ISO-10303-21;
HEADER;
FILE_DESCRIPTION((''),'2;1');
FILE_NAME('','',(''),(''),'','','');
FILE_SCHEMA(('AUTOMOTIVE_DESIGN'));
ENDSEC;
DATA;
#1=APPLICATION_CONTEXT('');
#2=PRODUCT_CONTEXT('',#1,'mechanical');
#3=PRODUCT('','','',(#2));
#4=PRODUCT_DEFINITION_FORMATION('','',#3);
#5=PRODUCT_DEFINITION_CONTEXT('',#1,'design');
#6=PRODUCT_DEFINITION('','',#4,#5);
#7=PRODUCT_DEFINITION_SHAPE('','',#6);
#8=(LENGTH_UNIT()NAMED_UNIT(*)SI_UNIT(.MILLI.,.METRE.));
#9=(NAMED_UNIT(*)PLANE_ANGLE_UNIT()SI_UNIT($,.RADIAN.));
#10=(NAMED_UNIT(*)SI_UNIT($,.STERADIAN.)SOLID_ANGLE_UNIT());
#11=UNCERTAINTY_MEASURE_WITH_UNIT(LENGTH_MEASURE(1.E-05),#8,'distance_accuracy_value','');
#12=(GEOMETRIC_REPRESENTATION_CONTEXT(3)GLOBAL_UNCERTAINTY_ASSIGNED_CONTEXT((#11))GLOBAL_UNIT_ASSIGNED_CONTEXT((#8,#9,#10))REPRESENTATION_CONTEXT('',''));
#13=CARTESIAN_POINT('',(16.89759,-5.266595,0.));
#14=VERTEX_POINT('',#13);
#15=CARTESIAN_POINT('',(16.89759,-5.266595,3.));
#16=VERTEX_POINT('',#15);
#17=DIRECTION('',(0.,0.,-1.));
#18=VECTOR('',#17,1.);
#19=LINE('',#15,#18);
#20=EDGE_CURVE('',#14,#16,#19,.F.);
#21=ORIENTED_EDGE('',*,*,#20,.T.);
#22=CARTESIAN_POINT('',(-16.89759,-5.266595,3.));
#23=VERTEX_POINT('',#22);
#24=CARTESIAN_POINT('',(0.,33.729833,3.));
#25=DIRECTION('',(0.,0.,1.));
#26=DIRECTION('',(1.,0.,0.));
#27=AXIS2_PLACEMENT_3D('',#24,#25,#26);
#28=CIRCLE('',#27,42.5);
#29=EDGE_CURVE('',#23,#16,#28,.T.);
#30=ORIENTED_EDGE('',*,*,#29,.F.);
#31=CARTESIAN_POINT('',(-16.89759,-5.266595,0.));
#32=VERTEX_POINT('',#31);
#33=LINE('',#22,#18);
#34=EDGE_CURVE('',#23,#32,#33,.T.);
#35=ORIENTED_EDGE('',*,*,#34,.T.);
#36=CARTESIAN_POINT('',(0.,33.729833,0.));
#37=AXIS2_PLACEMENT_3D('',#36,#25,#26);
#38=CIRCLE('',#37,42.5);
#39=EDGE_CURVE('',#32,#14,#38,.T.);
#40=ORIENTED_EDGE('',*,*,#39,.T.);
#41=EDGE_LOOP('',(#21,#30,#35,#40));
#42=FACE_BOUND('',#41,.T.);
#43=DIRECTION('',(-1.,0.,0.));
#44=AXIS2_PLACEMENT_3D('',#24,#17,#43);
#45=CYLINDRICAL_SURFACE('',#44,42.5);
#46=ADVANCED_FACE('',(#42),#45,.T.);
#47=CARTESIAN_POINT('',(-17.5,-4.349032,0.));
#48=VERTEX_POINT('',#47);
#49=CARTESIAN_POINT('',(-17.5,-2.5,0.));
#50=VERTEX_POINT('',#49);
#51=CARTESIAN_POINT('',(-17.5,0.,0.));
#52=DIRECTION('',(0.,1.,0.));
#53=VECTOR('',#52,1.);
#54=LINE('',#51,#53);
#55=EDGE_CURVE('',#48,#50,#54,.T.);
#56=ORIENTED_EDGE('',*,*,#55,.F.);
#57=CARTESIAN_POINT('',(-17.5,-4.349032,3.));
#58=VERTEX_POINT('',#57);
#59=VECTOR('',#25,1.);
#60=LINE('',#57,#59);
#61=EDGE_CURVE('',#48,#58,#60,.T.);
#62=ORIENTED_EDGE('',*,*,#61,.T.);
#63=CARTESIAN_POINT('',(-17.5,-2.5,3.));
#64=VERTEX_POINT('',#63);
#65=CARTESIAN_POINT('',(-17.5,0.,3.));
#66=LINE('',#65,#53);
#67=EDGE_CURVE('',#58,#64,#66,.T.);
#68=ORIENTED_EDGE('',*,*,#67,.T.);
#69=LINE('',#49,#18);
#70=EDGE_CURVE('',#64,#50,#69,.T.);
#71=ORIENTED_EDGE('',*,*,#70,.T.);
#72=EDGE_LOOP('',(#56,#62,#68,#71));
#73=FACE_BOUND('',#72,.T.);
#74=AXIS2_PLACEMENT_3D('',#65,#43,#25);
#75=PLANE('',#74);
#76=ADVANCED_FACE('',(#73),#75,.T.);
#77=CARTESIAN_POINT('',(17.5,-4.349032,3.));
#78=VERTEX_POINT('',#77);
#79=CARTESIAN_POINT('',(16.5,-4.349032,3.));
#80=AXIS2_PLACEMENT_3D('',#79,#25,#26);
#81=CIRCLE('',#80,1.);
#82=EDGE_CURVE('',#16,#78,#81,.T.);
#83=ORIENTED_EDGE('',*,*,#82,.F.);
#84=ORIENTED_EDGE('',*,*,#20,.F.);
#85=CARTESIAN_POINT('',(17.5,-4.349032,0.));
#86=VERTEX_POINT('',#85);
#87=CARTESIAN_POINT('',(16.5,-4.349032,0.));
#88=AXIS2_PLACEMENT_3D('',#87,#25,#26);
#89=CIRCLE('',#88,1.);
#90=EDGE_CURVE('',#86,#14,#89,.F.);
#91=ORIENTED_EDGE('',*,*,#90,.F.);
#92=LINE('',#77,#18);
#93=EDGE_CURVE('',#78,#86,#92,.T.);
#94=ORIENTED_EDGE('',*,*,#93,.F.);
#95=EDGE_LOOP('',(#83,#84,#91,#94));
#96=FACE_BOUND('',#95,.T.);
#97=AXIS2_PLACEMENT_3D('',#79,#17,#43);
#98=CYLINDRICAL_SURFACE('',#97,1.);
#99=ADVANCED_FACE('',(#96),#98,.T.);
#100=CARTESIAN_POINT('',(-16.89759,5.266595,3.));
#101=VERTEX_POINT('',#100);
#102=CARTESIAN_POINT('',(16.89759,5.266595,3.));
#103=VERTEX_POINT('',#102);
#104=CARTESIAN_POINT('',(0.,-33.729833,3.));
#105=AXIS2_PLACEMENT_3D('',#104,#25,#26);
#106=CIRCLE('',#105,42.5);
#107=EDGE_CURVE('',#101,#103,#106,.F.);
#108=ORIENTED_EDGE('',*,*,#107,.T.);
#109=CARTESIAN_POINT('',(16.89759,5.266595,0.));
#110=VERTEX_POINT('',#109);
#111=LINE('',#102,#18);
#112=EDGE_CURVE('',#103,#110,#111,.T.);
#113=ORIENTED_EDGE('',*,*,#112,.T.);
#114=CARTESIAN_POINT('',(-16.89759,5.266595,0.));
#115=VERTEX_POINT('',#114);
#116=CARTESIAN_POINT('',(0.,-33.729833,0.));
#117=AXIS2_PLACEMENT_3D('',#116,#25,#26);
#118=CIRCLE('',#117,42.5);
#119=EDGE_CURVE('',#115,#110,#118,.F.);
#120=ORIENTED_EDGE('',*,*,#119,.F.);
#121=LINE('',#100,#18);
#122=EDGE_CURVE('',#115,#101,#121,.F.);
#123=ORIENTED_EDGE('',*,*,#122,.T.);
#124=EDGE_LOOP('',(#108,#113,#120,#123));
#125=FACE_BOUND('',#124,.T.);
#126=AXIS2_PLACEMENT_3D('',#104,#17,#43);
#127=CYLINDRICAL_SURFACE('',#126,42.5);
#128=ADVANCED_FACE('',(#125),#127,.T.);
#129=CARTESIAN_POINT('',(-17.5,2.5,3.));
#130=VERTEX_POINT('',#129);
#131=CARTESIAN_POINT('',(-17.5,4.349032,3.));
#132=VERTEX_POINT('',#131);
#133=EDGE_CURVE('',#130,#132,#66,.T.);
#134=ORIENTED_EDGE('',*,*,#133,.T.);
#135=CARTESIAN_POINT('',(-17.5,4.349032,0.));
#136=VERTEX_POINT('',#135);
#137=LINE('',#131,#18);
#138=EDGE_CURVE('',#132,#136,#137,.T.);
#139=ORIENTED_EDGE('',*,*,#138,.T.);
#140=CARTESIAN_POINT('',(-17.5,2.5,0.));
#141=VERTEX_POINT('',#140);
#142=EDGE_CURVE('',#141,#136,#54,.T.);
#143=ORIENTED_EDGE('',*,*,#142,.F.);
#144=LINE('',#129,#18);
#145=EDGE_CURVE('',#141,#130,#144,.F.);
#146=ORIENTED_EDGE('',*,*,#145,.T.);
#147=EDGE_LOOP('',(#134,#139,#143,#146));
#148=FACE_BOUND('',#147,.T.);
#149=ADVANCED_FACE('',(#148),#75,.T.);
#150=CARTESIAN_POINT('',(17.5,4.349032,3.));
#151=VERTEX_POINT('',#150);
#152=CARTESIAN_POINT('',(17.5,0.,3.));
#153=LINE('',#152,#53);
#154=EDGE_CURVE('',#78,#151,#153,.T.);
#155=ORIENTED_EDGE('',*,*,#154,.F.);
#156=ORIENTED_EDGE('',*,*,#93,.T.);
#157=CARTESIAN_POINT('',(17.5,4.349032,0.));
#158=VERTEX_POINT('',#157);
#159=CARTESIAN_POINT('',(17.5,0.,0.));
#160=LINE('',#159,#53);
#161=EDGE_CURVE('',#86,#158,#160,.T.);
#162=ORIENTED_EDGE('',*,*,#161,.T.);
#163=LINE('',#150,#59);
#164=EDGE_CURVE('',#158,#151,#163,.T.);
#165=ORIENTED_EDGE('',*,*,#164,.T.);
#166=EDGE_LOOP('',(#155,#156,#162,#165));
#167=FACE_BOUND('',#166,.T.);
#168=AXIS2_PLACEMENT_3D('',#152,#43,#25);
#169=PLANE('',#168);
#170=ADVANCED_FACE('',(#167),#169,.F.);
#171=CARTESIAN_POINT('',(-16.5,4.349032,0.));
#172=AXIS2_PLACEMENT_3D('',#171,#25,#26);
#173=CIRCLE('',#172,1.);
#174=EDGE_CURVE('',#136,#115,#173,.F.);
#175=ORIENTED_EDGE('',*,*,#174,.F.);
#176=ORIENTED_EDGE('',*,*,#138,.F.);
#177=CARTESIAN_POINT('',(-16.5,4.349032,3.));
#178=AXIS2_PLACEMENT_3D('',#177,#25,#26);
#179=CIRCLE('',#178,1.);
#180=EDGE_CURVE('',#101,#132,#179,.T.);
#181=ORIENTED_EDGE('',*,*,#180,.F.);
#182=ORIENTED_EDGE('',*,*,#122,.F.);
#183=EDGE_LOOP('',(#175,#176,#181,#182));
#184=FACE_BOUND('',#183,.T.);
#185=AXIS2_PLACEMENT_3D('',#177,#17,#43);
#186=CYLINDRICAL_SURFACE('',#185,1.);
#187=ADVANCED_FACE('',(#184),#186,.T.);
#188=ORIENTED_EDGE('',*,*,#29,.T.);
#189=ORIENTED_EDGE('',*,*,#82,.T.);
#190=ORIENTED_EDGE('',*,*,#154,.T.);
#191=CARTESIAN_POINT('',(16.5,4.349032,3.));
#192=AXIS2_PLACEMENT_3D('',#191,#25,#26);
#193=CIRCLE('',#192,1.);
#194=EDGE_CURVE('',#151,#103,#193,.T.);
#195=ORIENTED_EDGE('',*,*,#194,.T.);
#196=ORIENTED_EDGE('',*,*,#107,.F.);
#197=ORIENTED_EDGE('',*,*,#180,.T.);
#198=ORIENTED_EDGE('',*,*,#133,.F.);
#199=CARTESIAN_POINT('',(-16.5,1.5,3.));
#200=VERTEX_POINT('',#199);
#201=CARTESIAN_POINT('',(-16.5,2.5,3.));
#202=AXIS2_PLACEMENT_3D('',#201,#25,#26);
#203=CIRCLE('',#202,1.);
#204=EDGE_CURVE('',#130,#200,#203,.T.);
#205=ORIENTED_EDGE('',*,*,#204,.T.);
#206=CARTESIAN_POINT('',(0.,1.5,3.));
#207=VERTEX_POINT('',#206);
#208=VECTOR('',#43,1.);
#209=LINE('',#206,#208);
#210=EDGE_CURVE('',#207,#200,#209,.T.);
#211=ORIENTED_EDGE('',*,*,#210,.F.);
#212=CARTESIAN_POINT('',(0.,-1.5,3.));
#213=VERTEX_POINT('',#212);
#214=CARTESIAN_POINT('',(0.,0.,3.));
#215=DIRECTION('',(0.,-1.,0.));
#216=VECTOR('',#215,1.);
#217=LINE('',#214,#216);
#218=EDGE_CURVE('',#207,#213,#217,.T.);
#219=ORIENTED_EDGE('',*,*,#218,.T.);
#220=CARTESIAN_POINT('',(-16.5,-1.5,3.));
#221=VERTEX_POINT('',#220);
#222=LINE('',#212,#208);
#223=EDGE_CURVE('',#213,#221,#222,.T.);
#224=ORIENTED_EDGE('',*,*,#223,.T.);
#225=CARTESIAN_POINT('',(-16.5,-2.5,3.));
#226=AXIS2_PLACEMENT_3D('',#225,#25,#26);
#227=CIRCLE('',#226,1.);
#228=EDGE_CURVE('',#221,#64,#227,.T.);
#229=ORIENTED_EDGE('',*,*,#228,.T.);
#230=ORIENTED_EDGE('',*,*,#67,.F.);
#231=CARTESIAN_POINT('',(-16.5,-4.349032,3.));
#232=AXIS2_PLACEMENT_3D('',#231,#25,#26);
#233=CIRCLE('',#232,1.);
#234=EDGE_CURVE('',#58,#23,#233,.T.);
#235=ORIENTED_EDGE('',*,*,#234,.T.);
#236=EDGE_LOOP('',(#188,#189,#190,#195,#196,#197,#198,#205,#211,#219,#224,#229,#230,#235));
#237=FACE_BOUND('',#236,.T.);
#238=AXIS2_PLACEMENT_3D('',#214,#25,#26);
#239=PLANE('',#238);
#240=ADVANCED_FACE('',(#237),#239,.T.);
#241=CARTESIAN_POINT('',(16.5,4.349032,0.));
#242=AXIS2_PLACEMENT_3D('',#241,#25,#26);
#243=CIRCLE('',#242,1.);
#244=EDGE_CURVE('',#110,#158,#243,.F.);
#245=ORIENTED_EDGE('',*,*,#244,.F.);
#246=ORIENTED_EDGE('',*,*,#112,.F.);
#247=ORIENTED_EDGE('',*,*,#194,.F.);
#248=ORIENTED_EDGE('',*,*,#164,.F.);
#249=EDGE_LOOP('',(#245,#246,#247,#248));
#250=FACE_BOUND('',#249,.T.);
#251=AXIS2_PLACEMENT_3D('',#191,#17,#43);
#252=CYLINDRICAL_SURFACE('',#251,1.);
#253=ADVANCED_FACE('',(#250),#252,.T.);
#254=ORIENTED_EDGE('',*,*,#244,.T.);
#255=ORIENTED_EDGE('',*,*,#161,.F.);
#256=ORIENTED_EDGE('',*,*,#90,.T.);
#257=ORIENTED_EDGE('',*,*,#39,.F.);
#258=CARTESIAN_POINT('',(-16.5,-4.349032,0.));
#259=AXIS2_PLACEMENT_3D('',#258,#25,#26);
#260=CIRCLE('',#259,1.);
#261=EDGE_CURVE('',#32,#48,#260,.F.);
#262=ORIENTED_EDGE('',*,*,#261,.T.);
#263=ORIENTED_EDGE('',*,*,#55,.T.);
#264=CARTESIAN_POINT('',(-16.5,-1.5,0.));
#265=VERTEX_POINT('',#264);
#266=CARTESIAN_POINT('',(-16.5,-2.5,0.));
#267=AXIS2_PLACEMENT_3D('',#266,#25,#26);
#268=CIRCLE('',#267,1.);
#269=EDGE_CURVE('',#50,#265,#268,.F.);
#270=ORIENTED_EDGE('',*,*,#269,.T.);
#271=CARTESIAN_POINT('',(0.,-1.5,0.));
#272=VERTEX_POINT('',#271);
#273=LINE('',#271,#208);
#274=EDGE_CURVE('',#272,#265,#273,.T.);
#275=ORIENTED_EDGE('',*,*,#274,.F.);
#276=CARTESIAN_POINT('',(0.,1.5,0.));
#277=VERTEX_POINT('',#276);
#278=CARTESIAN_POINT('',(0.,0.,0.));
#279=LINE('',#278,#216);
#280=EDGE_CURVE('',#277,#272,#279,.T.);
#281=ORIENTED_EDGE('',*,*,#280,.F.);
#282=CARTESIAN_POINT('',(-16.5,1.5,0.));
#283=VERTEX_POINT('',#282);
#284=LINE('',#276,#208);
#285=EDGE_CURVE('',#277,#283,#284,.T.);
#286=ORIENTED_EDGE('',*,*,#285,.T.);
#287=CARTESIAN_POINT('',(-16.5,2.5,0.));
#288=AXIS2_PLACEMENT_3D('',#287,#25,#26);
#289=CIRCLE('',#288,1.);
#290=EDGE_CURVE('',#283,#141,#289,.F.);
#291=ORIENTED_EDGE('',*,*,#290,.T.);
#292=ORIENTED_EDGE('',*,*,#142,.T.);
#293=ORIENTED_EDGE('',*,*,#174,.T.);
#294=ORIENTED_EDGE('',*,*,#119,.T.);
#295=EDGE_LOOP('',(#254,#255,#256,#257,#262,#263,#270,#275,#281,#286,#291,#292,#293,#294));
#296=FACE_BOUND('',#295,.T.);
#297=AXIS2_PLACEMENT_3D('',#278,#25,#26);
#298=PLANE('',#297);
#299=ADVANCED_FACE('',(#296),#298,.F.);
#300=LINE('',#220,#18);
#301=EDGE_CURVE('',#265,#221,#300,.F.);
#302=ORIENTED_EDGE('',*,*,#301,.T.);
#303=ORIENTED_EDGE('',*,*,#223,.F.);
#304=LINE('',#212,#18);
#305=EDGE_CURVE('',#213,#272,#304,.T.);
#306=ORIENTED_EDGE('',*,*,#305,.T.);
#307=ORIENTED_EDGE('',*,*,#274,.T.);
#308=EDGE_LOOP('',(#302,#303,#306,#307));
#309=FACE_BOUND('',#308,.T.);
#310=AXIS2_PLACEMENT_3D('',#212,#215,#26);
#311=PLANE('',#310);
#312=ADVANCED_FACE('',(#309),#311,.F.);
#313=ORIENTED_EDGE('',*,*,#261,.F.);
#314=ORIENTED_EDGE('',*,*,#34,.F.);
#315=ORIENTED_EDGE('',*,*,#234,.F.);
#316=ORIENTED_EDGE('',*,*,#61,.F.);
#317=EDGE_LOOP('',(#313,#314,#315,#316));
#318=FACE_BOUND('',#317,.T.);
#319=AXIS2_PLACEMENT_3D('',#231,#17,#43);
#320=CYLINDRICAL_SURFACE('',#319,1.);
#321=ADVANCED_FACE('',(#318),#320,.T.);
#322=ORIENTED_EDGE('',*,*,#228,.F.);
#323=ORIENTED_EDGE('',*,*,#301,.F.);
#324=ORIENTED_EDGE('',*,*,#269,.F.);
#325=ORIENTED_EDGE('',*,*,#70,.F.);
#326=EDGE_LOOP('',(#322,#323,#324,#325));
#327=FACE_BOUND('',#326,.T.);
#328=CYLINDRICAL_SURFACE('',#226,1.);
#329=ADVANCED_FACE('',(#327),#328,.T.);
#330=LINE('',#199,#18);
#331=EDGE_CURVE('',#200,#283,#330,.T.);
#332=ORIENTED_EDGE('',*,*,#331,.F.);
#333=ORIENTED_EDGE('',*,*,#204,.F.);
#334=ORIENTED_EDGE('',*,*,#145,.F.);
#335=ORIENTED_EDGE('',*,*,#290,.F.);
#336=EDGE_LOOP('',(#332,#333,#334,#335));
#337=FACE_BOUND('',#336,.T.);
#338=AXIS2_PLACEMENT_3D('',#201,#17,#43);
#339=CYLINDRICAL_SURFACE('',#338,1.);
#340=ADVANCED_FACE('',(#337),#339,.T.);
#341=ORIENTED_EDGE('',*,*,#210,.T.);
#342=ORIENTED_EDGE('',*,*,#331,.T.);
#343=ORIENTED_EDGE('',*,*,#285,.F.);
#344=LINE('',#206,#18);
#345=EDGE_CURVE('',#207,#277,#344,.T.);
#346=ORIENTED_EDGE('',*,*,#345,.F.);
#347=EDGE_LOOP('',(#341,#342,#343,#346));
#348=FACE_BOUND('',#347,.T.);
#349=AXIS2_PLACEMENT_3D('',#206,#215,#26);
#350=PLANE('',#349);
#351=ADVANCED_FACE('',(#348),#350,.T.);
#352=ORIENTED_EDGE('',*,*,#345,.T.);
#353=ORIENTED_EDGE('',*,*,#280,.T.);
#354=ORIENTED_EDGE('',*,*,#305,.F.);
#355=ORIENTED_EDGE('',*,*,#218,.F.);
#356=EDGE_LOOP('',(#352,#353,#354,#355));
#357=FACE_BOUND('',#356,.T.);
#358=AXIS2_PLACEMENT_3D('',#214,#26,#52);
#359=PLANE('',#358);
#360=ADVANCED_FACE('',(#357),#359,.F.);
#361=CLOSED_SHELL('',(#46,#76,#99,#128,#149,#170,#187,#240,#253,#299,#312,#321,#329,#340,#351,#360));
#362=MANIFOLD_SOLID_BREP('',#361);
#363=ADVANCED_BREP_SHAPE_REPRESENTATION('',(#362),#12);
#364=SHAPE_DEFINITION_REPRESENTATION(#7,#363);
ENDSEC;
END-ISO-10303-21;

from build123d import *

# Parameters (mm, degrees)
EXTRUDE_1_DEPTH = 3
FILLET_1_R      = 1


with BuildPart() as part:
    # Эскиз1 → Бобышка-Вытянуть1 (new body)
    with BuildSketch(Plane.XY):
        Polygon((-17.5, -1.5), (-17.5, -5), (17.5, -5), (17.5, 5), (-17.5, 5), (-17.5, 1.5), (0, 1.5), (0, -1.5), align=None)
        with BuildLine():
            ThreePointArc((-17.5, 5), (0, 8.770166538), (17.5, 5))
            Line((17.5, 5), (-17.5, 5))
        make_face()
        with BuildLine():
            Line((-17.5, -5), (17.5, -5))
            ThreePointArc((17.5, -5), (0, -8.770166538), (-17.5, -5))
        make_face()
    extrude(amount=EXTRUDE_1_DEPTH)

    # Скругление1
    fillet_1_edges = [part.edges().sort_by_distance(p)[0] for p in [
        (-17.5, 1.5, 1.5),
        (-17.5, 5, 1.5),
        (17.5, 5, 1.5),
        (17.5, -5, 1.5),
        (-17.5, -5, 1.5),
        (-17.5, -1.5, 1.5),
    ]]
    fillet(fillet_1_edges, radius=FILLET_1_R)


solid = part.part
